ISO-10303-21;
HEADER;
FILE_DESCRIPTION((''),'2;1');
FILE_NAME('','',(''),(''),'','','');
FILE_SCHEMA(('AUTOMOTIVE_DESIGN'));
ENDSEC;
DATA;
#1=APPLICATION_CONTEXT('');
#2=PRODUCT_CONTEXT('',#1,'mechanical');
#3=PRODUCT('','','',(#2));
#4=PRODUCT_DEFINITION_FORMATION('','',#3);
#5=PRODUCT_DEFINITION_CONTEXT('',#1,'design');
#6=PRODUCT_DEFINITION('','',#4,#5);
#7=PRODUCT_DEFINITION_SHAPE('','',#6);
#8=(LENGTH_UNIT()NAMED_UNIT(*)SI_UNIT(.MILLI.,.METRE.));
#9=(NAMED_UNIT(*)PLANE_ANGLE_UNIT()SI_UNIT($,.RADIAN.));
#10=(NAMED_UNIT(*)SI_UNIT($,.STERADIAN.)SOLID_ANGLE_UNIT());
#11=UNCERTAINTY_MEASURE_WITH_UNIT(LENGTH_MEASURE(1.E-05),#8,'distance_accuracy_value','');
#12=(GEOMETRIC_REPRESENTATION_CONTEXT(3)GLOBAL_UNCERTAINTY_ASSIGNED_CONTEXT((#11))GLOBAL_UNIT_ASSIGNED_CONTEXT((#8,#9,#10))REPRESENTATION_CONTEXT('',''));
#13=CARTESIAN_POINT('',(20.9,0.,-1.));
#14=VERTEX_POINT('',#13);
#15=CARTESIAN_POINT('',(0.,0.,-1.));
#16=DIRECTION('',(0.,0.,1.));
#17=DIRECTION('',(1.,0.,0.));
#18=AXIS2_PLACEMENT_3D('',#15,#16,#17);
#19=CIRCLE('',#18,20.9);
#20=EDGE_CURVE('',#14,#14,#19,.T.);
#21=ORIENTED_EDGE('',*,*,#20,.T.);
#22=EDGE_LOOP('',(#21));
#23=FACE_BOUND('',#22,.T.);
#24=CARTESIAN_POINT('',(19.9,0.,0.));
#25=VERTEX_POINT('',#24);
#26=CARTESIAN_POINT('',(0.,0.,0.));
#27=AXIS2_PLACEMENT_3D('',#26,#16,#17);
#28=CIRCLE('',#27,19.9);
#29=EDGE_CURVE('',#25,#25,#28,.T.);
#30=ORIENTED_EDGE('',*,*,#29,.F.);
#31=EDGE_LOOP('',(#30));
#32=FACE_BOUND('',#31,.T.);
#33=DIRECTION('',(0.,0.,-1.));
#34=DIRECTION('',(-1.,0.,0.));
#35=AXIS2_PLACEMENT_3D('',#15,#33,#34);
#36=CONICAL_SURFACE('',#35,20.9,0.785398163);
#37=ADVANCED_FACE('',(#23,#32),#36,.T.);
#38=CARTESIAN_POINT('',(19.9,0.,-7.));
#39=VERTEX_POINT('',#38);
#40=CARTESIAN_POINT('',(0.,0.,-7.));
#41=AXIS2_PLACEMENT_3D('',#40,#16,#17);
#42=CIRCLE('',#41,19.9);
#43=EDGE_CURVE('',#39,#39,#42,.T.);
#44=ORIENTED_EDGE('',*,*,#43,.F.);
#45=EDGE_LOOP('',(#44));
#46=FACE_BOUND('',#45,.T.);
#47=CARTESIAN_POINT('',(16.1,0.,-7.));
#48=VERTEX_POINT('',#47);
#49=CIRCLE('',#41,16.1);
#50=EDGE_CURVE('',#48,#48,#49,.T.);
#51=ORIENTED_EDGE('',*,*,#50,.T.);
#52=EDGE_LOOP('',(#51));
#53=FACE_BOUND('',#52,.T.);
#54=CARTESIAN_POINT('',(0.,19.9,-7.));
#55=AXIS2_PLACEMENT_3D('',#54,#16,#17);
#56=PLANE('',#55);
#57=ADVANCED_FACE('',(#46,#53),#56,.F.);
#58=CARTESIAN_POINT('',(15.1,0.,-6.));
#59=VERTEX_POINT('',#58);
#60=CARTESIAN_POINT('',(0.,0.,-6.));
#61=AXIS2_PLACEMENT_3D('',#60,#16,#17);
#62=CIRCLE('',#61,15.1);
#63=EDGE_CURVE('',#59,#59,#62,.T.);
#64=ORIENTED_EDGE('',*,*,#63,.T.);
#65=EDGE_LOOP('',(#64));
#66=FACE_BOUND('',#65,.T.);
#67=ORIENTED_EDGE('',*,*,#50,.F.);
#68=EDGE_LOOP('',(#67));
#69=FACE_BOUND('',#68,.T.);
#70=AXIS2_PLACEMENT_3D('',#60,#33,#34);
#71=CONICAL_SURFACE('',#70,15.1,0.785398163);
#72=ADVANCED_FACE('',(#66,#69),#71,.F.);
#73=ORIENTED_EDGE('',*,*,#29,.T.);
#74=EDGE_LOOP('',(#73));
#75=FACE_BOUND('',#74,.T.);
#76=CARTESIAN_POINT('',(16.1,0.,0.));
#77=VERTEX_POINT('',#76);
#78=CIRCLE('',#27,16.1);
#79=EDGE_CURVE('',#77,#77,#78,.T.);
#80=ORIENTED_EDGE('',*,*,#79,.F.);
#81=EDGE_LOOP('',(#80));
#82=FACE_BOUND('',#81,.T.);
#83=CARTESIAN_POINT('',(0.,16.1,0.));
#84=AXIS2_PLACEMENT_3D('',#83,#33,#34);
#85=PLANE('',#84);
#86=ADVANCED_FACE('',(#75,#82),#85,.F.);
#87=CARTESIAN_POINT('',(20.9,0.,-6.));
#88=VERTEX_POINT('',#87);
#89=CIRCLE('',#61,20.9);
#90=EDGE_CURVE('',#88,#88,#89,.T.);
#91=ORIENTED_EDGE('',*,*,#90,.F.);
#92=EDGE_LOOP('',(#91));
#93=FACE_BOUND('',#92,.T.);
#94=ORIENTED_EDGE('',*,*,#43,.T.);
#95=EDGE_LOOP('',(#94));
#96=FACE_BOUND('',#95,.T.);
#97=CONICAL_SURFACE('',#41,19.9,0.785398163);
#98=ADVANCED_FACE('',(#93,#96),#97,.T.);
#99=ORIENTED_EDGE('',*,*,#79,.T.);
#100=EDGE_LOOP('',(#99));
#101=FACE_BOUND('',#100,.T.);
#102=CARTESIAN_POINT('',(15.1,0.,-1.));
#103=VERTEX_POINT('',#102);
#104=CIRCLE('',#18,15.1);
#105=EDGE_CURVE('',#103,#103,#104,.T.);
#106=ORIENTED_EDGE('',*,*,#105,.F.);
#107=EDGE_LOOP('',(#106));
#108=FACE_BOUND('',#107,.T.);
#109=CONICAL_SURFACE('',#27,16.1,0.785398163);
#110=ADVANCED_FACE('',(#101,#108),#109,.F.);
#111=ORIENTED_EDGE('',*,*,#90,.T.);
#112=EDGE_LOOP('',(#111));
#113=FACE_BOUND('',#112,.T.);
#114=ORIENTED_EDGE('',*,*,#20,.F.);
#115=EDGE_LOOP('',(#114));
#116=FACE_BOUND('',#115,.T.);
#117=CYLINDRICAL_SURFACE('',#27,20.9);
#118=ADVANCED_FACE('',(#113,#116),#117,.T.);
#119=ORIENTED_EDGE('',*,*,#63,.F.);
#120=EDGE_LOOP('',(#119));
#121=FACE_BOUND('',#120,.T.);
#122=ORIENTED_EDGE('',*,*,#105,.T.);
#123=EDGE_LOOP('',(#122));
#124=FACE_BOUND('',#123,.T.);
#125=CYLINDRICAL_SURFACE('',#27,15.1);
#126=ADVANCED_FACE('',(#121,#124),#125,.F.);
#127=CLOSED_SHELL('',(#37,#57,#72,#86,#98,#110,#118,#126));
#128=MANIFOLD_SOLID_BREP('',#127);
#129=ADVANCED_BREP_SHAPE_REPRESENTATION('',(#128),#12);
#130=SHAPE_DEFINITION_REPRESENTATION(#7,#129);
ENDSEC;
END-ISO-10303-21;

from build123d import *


with BuildPart() as part:
    # Sketch1 → Revolve1 (revolve)
    with BuildSketch(Plane(origin=(0, 0, 0), x_dir=(0, 0, -1), z_dir=(1, 0, 0)), mode=Mode.PRIVATE) as revolve1_sk:
        Polygon((1, 15.1), (0, 16.1), (0, 19.9), (1, 20.9), (6, 20.9), (7, 19.9), (7, 16.1), (6, 15.1), align=None)
    revolve(revolve1_sk.sketch.rotate(Axis((0, 0, 0), (0, 0, -1)), 90), axis=Axis((0, 0, 0), (0, 0, -1)))


solid = part.part
